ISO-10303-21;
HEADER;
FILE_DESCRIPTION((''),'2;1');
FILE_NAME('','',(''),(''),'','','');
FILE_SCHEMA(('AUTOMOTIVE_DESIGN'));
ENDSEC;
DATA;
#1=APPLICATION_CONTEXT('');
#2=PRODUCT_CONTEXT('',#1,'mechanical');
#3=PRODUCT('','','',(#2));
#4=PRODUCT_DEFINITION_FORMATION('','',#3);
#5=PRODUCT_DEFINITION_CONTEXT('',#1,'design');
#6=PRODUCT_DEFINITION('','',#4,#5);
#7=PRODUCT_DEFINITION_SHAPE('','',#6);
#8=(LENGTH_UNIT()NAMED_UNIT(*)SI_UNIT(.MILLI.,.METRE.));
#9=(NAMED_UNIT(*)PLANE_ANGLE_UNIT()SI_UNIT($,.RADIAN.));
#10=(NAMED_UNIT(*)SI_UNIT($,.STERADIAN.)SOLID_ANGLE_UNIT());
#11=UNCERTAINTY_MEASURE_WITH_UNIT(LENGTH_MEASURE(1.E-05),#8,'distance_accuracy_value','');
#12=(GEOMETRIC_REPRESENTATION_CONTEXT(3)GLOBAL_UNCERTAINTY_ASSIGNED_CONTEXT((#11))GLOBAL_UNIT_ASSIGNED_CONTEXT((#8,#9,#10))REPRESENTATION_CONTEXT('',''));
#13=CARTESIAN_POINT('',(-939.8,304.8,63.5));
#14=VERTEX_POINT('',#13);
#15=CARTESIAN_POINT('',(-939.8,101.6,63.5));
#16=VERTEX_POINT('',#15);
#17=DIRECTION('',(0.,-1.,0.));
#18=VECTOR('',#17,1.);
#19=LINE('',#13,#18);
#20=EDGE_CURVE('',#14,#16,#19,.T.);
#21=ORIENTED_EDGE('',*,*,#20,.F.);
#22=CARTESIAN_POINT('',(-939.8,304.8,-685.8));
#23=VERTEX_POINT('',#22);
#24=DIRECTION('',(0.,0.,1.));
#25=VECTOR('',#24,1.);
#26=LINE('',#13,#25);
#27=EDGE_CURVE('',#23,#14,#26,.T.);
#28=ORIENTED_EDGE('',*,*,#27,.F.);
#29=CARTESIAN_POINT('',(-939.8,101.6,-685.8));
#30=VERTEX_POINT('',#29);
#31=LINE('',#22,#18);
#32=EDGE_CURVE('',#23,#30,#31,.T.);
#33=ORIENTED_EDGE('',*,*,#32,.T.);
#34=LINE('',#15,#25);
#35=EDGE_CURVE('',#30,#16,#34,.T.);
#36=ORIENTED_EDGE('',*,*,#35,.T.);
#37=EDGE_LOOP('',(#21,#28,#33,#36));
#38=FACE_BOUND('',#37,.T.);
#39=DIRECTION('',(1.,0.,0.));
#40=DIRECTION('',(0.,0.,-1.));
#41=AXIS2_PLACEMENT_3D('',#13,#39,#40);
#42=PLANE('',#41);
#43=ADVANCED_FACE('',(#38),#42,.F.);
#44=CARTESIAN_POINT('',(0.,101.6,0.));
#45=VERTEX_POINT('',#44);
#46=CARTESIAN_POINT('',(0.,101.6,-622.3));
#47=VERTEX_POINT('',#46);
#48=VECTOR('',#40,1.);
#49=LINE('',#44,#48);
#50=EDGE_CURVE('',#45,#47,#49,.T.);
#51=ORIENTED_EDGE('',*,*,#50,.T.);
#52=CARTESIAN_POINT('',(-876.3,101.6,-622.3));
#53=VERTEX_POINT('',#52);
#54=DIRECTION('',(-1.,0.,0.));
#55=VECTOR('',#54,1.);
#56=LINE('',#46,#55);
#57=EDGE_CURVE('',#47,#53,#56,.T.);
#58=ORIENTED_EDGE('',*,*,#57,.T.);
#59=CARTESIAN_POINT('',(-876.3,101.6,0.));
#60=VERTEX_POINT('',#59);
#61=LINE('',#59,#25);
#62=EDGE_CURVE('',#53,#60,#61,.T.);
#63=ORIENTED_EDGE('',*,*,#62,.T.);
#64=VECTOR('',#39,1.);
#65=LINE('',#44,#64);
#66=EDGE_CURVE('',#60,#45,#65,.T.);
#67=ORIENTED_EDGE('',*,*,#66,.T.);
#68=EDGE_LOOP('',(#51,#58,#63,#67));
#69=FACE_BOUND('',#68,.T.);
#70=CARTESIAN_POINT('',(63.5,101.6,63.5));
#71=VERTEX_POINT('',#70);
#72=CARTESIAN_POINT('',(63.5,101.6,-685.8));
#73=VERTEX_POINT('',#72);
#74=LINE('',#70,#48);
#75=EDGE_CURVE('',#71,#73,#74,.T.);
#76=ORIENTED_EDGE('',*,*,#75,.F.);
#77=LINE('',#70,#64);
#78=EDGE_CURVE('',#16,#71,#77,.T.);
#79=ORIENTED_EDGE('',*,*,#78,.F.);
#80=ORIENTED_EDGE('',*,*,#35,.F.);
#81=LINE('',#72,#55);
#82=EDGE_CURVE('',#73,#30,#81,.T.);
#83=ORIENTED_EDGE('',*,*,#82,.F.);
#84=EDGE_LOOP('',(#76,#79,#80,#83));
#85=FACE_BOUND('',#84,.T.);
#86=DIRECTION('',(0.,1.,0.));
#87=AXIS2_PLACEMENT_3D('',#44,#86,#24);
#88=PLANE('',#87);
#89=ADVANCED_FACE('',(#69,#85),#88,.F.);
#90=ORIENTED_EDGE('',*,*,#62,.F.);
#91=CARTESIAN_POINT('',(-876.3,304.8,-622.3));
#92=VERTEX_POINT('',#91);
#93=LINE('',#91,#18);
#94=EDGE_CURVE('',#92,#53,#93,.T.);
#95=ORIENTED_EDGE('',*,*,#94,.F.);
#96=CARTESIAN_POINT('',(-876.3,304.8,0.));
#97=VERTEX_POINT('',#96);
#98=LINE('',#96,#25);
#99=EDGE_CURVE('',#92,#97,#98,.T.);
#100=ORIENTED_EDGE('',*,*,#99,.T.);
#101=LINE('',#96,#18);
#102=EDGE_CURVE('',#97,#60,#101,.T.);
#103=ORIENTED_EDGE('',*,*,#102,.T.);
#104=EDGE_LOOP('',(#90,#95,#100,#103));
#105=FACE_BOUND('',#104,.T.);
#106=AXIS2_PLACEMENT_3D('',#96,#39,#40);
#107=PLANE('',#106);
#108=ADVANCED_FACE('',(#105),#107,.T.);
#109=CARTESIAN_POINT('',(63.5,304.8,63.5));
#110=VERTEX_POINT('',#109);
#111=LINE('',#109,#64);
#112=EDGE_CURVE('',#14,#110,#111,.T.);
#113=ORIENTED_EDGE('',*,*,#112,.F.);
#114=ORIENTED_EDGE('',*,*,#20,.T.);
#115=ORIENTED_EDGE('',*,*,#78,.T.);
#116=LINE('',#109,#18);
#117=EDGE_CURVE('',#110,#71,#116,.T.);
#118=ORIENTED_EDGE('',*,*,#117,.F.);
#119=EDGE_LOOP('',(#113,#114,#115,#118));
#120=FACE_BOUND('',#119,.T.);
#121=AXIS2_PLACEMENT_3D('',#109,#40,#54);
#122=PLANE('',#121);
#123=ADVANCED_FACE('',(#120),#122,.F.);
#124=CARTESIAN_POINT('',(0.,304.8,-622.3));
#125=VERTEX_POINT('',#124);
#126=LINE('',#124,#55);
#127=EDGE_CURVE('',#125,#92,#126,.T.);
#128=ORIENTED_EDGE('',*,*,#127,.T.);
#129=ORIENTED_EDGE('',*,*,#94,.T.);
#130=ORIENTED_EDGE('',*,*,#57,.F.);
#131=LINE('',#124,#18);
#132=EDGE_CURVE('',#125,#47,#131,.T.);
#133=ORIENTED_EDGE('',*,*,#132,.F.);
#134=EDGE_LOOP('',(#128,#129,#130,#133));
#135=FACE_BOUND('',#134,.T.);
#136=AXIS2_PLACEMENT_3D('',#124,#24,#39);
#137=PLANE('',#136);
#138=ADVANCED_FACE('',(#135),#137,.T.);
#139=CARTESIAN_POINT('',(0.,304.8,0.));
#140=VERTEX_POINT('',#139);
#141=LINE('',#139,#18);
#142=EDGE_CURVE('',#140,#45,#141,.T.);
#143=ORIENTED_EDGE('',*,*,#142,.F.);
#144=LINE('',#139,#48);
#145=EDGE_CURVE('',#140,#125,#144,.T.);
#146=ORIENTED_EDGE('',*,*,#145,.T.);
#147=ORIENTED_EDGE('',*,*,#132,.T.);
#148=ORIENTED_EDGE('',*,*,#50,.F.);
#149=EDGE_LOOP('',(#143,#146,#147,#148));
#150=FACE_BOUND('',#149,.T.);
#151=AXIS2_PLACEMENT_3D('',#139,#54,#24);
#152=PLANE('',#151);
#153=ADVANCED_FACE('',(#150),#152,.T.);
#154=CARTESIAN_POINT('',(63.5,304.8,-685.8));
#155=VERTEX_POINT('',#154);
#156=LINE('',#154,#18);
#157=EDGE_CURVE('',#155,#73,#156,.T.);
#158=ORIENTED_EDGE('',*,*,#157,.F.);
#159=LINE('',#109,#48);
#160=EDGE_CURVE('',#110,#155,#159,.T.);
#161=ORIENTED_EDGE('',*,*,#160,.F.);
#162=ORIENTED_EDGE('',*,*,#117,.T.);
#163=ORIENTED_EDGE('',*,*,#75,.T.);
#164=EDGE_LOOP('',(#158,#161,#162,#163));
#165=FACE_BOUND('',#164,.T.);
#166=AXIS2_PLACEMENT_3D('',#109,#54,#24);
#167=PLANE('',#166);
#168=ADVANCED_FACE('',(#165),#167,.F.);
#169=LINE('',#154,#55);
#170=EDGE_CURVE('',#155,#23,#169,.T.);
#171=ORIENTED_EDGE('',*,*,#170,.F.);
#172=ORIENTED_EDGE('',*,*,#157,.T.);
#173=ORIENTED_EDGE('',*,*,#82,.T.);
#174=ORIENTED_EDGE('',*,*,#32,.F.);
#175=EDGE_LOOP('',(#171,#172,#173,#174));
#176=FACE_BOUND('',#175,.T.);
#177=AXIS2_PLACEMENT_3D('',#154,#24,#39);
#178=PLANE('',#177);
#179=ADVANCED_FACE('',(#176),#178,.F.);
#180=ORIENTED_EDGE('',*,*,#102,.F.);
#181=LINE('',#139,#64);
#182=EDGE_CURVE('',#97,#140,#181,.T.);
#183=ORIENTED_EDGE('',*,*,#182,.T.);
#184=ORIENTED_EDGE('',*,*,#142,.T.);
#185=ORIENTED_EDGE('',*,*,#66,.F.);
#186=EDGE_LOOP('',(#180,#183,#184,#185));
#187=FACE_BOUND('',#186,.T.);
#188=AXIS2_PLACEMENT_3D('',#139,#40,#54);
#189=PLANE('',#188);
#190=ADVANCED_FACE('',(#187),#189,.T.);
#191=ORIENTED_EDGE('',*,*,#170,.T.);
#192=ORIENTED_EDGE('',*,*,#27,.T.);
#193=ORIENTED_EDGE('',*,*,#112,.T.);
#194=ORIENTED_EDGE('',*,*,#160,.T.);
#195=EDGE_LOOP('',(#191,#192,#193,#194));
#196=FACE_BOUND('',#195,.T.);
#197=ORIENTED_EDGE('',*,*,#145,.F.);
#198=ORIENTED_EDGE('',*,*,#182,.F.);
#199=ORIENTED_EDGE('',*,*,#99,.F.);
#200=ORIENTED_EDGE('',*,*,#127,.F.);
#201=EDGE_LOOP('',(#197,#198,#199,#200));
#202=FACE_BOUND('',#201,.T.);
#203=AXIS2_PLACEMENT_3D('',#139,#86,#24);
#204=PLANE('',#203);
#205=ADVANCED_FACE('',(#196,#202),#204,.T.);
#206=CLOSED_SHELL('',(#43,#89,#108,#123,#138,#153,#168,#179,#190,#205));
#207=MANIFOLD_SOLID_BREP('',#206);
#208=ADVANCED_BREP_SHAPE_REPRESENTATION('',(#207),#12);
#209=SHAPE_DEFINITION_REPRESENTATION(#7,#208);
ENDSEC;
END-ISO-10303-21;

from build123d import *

# Parameters (mm, degrees)
SKETCH1_W           = 1003.3
SKETCH1_H           = 749.3
SKETCH1_W_2         = 876.3
SKETCH1_H_2         = 622.3
BOSS_EXTRUDE1_DEPTH = 203.2


with BuildPart() as part:
    # Sketch1 → Boss-Extrude1 (new body)
    with BuildSketch(Plane(origin=(0, 101.6, 0), x_dir=(1, 0, 0), z_dir=(0, 1, 0))):
        with Locations((-438.15, 311.15)):
            Rectangle(SKETCH1_W, SKETCH1_H)
        with Locations((-438.15, 311.15)):
            Rectangle(SKETCH1_W_2, SKETCH1_H_2, mode=Mode.SUBTRACT)
    extrude(amount=BOSS_EXTRUDE1_DEPTH)


solid = part.part
